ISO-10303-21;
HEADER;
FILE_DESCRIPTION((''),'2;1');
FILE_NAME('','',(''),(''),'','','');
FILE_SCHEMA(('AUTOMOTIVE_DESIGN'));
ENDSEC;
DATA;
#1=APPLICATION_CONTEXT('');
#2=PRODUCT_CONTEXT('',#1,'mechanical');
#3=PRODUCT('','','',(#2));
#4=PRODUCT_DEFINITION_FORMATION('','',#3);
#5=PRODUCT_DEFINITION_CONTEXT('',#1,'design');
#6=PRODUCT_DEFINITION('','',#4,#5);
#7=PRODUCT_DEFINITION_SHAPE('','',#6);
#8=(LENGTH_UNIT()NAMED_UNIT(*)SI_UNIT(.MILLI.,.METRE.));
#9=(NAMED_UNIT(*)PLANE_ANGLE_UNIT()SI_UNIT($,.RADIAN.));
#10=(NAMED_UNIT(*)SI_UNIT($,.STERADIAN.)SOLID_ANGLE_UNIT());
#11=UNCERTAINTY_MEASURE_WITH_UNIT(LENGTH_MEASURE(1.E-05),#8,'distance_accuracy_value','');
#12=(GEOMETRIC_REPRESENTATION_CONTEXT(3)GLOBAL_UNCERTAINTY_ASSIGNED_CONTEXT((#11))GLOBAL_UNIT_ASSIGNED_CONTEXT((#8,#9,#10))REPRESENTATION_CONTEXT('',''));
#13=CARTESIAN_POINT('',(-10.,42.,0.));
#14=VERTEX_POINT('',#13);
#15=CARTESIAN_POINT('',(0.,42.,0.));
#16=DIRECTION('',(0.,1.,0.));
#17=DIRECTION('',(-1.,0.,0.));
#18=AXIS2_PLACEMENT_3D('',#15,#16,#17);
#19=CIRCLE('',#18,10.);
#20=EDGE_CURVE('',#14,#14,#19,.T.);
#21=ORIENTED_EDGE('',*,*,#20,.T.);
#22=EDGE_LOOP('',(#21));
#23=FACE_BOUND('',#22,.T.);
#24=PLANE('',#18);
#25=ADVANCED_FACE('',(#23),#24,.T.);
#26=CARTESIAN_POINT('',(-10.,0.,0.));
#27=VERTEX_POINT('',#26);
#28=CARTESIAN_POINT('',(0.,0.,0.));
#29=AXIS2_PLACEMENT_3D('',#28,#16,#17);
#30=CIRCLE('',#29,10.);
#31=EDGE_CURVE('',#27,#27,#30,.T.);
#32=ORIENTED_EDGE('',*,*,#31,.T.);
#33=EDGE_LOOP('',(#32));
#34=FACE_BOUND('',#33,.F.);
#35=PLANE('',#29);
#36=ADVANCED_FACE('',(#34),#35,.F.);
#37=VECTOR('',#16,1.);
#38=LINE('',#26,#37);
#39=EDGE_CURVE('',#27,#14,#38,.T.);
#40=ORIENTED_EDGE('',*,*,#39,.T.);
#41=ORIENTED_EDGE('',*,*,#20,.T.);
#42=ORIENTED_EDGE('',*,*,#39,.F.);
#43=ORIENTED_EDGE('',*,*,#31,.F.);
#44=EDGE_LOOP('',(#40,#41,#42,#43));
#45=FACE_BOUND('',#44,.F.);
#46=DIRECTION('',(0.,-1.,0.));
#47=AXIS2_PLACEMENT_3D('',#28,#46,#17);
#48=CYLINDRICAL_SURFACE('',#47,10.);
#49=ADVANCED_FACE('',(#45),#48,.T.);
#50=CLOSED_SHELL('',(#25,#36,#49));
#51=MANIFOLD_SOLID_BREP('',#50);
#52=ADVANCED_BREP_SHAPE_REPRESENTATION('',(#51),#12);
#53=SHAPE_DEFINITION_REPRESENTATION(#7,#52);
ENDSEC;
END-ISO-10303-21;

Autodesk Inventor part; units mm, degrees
ref_plane "YZ Plane" through (0, 0, 0) normal (1, 0, 0) x (0, 1, 0)
ref_plane "XZ Plane" through (0, 0, 0) normal (0, 1, 0) x (-1, 0, 0)
ref_plane "XY Plane" through (0, 0, 0) normal (0, 0, 1) x (1, 0, 0)
sketch "Sketch1" plane through (0, 0, 0) normal (0, 1, 0) x (-1, 0, 0)
  circle A0 centre (0, 0) radius 10
  dimension "d0" = 20
extrude "Extrusion1" add sketch "Sketch1" along normal blind 42
properties part number "Cell"
